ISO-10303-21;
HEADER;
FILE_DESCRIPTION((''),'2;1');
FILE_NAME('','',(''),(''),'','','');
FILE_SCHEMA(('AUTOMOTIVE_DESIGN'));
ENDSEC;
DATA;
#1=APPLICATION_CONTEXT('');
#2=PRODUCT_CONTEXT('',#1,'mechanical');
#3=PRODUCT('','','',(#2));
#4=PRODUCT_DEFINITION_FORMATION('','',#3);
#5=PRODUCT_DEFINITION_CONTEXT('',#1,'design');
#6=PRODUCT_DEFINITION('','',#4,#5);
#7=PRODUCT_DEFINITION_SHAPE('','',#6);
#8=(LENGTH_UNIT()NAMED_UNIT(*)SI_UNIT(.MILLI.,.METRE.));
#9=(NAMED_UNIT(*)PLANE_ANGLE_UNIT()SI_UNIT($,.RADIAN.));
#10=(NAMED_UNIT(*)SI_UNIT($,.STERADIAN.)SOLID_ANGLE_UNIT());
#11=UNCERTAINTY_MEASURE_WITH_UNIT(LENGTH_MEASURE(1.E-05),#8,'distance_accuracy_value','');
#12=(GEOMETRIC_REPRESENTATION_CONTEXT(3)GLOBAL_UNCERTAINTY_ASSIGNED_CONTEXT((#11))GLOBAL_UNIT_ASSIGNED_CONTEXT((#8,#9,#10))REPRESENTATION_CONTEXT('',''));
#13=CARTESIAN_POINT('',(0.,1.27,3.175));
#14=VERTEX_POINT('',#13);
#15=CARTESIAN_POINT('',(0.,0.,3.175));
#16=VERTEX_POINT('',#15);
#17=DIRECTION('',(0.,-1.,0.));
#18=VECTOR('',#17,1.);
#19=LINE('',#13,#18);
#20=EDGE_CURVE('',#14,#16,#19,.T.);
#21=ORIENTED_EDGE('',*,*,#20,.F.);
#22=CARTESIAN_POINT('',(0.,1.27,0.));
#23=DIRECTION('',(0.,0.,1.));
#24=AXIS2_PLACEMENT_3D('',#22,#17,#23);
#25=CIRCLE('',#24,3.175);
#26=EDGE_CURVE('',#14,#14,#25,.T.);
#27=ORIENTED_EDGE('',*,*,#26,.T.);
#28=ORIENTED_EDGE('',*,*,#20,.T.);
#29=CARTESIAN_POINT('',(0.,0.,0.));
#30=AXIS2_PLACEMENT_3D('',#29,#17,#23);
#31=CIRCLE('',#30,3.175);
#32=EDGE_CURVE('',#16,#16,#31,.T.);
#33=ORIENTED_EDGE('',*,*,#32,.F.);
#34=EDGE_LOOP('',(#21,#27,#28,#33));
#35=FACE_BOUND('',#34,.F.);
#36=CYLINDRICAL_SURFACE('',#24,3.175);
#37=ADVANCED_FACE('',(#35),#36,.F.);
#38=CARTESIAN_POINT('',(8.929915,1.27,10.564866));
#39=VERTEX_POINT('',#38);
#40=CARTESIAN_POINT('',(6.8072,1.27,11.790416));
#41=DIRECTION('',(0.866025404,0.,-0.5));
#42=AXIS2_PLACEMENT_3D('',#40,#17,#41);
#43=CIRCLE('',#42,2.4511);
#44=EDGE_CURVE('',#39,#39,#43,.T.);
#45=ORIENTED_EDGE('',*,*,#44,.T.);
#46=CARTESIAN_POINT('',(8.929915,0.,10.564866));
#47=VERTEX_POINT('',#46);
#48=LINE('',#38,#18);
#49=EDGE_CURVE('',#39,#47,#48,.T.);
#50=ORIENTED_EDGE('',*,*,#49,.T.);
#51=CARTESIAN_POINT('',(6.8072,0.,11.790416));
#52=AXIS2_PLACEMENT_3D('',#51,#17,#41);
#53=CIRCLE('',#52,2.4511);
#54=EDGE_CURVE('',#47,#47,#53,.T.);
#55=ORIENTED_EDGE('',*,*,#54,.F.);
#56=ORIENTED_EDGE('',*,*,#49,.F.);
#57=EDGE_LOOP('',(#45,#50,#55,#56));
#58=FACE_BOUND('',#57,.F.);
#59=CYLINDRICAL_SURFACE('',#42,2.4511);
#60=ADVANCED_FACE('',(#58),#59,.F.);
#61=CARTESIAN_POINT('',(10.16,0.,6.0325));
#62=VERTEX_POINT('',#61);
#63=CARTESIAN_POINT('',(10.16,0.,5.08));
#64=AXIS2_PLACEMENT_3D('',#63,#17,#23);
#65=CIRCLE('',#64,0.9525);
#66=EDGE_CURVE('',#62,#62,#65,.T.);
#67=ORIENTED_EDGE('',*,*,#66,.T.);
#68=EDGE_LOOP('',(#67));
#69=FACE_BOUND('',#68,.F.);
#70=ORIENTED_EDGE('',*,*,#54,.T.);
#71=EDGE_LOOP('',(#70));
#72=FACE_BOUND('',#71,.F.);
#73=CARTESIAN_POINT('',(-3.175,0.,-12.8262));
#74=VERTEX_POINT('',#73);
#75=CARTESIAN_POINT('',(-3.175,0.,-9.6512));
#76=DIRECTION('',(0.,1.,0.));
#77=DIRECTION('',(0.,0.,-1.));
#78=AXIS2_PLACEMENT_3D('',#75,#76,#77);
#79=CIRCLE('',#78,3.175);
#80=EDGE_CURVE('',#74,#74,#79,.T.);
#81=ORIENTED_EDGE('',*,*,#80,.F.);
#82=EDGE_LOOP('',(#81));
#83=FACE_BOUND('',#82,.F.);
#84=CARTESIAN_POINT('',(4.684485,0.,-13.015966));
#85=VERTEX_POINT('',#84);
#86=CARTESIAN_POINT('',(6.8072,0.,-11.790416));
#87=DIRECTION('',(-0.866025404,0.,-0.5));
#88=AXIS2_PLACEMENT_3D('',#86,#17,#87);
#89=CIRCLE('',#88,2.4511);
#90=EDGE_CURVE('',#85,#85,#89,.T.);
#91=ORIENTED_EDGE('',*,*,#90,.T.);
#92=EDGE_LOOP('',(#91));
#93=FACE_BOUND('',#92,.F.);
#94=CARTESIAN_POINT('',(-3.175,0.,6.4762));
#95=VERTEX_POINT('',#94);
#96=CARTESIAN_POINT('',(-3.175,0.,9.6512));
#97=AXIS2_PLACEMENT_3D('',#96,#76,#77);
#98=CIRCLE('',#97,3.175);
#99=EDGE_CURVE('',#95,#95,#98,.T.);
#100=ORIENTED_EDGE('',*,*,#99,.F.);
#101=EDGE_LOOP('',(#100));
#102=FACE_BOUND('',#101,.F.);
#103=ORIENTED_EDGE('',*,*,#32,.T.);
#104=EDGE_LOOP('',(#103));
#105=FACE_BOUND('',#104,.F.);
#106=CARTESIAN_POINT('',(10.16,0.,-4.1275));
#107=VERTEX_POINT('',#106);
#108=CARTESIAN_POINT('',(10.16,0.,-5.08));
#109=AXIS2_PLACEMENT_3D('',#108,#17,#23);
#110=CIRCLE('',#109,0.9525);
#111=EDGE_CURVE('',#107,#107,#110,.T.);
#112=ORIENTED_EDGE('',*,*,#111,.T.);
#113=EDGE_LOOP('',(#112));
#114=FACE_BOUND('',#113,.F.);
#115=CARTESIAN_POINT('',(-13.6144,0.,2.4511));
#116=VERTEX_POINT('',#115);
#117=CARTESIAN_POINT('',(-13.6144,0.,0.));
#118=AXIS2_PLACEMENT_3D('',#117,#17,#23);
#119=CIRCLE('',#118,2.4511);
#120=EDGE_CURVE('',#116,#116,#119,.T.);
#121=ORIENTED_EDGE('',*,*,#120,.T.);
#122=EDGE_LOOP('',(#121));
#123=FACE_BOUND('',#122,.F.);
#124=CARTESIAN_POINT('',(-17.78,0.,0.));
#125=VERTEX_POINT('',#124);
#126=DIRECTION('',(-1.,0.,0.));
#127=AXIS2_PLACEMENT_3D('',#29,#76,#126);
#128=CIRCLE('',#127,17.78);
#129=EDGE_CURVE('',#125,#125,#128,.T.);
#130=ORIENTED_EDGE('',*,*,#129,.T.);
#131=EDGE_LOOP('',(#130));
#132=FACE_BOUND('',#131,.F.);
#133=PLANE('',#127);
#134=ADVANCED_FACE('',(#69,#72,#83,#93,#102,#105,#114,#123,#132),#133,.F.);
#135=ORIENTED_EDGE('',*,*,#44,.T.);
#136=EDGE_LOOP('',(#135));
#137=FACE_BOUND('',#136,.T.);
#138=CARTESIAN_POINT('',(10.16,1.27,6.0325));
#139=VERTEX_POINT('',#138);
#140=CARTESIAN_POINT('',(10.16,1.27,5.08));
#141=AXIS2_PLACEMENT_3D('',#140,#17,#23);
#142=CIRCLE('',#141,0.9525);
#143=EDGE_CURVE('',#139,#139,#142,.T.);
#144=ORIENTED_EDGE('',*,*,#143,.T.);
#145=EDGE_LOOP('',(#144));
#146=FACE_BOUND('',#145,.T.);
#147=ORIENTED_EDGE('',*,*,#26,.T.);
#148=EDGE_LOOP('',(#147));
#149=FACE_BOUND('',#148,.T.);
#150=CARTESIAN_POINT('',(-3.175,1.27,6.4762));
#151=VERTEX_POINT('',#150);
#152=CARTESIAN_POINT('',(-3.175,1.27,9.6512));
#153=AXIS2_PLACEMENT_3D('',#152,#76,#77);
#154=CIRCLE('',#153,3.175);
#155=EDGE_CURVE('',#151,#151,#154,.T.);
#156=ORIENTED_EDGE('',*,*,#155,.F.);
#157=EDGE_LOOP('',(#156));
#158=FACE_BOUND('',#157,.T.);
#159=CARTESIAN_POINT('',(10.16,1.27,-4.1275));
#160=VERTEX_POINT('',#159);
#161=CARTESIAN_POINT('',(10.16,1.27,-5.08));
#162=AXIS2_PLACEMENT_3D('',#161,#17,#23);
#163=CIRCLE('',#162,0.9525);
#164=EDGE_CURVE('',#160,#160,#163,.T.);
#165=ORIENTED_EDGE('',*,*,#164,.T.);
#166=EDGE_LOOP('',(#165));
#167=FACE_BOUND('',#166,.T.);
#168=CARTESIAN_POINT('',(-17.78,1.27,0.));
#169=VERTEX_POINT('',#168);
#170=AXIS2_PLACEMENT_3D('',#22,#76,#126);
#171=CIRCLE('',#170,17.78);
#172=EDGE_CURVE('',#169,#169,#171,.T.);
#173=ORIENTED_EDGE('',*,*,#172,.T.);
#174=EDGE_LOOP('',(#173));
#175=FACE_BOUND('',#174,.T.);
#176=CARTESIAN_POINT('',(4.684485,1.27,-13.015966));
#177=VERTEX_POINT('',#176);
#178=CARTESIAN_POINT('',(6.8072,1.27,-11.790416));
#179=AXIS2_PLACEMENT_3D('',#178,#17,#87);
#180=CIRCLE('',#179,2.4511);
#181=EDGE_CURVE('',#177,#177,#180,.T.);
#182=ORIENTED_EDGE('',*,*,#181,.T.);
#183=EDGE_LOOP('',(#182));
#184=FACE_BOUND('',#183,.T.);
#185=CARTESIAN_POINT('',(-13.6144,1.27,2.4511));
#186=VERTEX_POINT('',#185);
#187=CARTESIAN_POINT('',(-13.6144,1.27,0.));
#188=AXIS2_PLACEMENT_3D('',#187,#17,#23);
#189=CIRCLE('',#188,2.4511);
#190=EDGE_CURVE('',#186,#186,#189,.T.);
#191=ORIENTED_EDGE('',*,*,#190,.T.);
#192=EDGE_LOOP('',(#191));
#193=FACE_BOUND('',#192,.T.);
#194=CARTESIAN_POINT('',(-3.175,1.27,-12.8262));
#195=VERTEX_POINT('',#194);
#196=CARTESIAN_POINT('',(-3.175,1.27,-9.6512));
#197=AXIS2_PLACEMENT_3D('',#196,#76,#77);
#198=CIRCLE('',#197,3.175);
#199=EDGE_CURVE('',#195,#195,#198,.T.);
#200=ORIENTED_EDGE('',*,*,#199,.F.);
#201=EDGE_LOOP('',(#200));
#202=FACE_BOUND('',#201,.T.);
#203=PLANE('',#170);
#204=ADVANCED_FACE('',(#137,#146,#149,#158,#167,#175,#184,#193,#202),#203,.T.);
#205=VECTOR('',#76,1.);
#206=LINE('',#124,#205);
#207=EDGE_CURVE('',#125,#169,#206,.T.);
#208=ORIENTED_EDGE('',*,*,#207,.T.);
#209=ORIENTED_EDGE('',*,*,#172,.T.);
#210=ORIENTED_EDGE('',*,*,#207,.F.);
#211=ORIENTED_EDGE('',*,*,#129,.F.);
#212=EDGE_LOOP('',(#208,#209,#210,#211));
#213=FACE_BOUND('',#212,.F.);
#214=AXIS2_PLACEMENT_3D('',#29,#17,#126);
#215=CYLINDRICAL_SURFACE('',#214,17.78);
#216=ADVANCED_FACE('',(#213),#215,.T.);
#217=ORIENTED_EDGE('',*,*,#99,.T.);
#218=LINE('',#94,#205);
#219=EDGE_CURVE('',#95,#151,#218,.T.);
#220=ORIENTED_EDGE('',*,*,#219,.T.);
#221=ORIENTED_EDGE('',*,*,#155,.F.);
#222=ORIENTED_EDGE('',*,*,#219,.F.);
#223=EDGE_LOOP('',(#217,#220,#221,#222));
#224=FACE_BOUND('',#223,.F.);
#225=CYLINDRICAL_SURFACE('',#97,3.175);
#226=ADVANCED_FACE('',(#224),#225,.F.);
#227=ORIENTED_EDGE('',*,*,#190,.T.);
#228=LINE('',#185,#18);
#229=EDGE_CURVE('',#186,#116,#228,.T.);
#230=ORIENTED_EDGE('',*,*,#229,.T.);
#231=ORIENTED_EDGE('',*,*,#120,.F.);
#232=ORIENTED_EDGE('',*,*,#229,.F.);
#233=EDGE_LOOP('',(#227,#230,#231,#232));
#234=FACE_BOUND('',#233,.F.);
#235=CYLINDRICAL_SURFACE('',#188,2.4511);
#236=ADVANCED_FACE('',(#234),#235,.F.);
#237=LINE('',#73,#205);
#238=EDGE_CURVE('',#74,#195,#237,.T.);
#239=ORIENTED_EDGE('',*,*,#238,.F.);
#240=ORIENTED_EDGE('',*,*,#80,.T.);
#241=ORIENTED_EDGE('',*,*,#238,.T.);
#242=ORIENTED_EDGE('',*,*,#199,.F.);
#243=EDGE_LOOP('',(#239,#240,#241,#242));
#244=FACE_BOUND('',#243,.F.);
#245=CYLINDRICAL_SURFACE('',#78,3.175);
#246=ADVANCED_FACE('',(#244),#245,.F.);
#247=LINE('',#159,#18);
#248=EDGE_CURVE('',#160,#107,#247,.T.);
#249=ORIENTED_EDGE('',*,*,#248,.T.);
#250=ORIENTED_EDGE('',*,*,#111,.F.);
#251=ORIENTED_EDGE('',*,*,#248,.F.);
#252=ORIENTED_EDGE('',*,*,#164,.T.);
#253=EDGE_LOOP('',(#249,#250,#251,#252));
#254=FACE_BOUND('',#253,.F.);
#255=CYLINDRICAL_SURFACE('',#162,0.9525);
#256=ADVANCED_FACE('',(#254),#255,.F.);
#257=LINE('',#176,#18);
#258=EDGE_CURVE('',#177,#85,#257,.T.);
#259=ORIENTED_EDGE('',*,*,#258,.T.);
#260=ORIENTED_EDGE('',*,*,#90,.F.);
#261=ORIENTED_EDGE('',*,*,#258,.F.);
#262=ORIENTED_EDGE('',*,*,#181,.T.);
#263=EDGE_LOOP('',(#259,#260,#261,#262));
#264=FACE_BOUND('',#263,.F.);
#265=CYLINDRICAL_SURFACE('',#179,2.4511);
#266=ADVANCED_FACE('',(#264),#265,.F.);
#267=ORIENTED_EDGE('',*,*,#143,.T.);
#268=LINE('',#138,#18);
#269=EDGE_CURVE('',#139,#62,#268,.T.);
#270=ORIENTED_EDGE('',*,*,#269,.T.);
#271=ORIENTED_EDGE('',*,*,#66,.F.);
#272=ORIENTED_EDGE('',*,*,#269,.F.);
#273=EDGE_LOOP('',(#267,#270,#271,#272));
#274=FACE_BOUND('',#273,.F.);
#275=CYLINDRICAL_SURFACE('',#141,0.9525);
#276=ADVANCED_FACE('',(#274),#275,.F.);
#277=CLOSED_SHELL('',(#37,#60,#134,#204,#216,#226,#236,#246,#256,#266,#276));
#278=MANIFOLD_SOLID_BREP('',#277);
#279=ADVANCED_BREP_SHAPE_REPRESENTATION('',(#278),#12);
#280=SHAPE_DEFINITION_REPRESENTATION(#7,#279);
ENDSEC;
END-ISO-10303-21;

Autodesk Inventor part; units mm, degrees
ref_plane "YZ Plane" through (0, 0, 0) normal (1, 0, 0) x (0, 1, 0)
ref_plane "XZ Plane" through (0, 0, 0) normal (0, 1, 0) x (-1, 0, 0)
ref_plane "XY Plane" through (0, 0, 0) normal (0, 0, 1) x (1, 0, 0)
sketch "Sketch1" plane through (0, 0, 0) normal (0, 1, 0) x (-1, 0, 0)
  circle A0 centre (0, 0) radius 17.78
  dimension "d0" = 35.56
extrude "Extrusion1" add sketch "Sketch1" along normal blind 1.27
sketch "Sketch2" plane through (0, 1.27, 0) normal (0, 1, 0) x (1, 0, 0)
  circle A0 centre (0, 0) radius 17.78 projected
hole "Hole1" at (0, 1.27, 0) direction (0, -1, 0) diameter 6.35 end through all
sketch "Sketch3" plane through (0, 1.27, 0) normal (0, 1, 0) x (1, 0, 0)
  line L0 (0, 0) -> (-13.6144, 0)
  dimension "d10" = 13.6144
hole "Hole2" at (-13.6144, 1.27, 0) direction (0, -1, 0) diameter 4.9022 end through all
pattern_circular "Circular Pattern1" count 3 over 360 about axis through (0, -49.0355, 0) along (0, 1, 0) of "Hole2"
sketch "Sketch8" plane through (0, 1.27, 0) normal (0, 1, 0) x (1, 0, 0)
  point P0 (0, 0)
sketch "Sketch9" plane through (0, 1.27, 0) normal (0, 1, 0) x (1, 0, 0)
  line L0 (0, 0) -> (10.16, 0)
  line L1 (10.16, 0) -> (10.16, 5.08)
  line L2 (10.16, 5.08) -> (10.16, -5.08)
  dimension "d61" = 10.16
  dimension "d62" = 5.08
  dimension "d63" = 10.16
hole "Hole7" at (10.16, 1.27, -5.08) at (10.16, 1.27, 5.08) direction (0, -1, 0) diameter 1.905 end through all
sketch "Sketch10" plane through (0, 1.27, 0) normal (0, 1, 0) x (1, 0, 0)
  circle A0 centre (-13.6144, 0) radius 2.4511 projected
  line L0 (0, 0) -> (-13.6144, 0)
  line L1 (-13.6144, 0) -> (-3.175, 0)
  circle A1 centre (0, 0) radius 3.175 projected
  line L2 (0, 0) -> (-3.175, 9.6512)
  line L3 (-3.175, 9.6512) -> (0, 0)
  line L4 (0, 0) -> (-3.175, -9.6512)
  dimension "d71" = 10.16
  dimension "d72" = 10.16
hole "Hole8" [suppressed]
sketch "Sketch13" plane through (0, 0, 0) normal (0, -1, 0) x (1, 0, 0)
  circle A0 centre (-3.175, -9.6512) radius 3.175
  circle A1 centre (-3.175, 9.6512) radius 3.175
  point P0 (0, 0)
sketch "Sketch14" plane through (0, 0, 0) normal (0, -1, 0) x (1, 0, 0)
  point P0 (0, 0)
hole "Hole9" at (-3.175, 0, 9.6512) at (-3.175, 0, -9.6512) direction (0, 1, 0) diameter 6.35 depth 2.54
properties part number "buffer" material "PBT Plastic"
